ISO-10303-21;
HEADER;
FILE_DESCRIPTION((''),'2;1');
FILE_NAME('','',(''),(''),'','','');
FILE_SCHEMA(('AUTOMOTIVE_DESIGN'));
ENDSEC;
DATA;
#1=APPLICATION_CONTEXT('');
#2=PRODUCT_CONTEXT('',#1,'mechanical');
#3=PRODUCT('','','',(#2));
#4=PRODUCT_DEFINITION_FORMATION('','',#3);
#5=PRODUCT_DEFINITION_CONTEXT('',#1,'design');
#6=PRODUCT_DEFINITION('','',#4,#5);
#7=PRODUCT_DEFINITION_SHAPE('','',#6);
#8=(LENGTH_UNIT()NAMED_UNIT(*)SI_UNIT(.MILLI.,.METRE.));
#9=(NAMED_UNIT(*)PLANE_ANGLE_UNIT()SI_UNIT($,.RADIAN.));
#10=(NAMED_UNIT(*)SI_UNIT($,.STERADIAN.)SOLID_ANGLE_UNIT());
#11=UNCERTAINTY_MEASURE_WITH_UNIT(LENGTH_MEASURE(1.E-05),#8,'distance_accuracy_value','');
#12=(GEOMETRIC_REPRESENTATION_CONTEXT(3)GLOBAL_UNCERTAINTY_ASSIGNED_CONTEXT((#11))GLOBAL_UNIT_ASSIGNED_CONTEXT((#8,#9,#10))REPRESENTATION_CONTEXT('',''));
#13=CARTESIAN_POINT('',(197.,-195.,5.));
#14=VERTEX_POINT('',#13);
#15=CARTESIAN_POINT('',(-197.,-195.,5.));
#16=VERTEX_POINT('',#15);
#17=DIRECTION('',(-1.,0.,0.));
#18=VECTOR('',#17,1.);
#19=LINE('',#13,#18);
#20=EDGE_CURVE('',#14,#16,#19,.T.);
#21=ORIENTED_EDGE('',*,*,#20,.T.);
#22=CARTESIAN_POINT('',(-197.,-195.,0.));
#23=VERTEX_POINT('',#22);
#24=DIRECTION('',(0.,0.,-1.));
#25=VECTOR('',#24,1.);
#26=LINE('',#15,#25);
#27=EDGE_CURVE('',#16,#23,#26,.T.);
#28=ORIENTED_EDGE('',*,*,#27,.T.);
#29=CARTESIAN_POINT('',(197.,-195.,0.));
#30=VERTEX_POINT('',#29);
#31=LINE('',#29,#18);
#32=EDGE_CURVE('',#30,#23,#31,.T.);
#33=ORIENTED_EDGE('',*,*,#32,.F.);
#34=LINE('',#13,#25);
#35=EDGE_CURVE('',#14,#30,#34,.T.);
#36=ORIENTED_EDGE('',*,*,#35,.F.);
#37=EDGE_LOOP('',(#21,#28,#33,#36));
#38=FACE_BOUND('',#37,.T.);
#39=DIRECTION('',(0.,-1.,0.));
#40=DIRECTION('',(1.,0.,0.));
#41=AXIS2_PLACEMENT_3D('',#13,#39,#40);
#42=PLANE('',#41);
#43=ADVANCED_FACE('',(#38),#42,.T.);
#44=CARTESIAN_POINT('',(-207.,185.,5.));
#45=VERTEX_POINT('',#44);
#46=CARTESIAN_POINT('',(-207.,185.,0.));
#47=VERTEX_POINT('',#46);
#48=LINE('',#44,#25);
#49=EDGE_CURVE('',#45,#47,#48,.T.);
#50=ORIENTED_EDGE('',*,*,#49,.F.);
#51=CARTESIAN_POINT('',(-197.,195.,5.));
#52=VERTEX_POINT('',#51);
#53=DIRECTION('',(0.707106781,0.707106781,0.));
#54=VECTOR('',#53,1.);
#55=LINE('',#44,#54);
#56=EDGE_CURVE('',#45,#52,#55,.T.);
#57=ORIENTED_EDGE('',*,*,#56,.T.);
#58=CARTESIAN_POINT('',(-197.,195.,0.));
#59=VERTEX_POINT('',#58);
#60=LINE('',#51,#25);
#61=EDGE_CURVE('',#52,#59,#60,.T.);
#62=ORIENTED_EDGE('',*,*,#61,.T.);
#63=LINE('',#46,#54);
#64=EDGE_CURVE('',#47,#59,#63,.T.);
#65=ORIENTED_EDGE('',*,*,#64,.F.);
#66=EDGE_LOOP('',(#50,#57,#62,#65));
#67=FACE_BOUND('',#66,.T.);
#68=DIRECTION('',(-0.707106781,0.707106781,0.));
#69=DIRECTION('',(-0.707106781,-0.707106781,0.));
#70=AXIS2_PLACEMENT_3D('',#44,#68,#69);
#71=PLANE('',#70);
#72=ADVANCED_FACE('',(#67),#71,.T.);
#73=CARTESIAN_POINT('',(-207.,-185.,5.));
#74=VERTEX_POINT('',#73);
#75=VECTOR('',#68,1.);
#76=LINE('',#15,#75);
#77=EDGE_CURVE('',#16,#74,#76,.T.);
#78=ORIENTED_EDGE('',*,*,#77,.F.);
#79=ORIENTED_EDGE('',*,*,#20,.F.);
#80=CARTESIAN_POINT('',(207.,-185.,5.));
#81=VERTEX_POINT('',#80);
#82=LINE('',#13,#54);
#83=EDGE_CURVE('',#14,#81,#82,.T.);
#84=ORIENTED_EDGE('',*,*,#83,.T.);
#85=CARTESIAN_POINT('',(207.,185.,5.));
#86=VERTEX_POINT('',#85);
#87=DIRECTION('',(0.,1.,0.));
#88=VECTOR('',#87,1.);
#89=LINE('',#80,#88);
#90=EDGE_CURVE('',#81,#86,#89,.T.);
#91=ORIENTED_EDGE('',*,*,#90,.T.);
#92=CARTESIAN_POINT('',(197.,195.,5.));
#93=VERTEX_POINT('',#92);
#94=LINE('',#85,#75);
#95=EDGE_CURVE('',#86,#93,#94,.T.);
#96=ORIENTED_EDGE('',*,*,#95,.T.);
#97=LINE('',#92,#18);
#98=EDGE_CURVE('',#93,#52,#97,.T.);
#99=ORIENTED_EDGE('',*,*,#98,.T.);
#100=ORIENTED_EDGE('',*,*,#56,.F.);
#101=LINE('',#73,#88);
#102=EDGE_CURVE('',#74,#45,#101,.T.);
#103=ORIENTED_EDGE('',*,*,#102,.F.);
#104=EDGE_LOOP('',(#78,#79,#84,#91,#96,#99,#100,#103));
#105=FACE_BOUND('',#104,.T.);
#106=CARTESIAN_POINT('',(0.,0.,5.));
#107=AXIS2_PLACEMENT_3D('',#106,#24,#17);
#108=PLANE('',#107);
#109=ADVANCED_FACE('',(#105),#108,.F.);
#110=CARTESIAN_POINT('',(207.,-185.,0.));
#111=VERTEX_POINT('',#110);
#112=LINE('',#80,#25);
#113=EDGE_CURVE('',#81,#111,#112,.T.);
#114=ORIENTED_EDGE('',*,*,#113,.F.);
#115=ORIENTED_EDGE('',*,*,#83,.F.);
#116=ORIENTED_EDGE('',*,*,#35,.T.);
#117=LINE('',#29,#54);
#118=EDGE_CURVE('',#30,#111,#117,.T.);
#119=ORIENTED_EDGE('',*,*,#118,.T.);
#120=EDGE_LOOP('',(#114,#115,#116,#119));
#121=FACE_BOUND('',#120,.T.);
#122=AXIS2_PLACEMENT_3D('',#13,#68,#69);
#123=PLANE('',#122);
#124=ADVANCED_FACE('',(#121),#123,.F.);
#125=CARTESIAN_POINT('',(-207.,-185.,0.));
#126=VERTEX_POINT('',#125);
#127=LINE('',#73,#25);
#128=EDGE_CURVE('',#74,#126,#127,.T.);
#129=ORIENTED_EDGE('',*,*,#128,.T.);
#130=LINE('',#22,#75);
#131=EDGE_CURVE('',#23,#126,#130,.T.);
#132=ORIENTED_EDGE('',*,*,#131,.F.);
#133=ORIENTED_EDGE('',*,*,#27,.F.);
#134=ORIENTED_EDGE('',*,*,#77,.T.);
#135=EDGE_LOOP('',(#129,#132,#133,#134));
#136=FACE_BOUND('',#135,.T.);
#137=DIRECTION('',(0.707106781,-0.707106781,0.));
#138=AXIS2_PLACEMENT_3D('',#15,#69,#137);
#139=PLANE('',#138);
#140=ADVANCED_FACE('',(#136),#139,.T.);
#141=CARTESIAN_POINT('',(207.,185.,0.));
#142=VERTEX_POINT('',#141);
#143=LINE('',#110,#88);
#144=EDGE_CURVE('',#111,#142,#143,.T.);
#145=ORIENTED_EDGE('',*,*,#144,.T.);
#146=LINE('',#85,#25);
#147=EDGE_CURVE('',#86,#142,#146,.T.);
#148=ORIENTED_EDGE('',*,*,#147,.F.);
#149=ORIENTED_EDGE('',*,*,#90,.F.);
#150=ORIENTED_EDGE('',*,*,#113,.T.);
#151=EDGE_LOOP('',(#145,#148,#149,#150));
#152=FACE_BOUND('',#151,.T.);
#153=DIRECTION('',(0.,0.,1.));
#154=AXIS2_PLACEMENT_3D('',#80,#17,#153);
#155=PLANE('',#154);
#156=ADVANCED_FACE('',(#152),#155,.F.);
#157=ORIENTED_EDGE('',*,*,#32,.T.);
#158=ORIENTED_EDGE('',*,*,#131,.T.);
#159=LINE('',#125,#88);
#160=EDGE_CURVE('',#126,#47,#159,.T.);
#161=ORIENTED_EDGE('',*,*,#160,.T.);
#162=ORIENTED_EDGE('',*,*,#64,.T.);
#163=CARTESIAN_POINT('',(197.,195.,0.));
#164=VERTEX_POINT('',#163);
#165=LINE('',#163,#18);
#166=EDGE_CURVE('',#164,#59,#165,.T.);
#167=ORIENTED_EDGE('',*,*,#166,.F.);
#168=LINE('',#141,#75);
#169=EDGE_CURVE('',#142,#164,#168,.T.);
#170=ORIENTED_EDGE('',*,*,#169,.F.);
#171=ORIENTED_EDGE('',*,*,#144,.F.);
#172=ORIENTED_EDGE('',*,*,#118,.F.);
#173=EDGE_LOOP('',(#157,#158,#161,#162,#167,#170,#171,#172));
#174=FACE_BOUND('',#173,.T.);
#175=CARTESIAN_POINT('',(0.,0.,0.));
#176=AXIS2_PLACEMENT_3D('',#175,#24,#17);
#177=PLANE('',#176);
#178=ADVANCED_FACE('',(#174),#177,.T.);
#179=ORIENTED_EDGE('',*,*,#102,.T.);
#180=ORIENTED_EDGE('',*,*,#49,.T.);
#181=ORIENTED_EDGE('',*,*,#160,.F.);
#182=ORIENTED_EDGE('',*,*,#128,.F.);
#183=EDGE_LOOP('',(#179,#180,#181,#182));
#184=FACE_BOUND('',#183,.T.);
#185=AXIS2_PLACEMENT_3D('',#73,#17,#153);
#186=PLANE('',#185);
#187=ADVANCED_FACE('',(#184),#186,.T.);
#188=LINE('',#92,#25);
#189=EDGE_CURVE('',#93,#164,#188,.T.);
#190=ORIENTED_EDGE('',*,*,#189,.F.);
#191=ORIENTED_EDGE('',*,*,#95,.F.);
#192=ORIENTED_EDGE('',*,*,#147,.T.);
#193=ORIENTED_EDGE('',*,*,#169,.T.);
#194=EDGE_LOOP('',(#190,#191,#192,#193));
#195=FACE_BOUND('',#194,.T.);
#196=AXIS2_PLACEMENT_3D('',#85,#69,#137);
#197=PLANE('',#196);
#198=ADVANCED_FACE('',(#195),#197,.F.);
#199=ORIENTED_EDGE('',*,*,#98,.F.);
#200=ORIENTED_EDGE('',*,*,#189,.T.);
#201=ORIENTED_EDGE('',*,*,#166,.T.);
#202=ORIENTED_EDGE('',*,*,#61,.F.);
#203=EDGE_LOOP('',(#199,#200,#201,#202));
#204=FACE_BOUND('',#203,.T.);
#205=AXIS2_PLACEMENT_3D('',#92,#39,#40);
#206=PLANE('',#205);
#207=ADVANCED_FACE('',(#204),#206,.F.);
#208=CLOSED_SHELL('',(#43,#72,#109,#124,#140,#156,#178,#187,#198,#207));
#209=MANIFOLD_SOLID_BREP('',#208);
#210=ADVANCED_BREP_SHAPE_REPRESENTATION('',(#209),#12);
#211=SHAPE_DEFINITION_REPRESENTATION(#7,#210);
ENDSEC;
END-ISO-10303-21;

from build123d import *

# Parameters (mm, degrees)
ESTRUSIONE_ESTRUSIONE1_DEPTH = 5


with BuildPart() as part:
    # Schizzo1 → Estrusione-Estrusione1 (new body)
    with BuildSketch(Plane.XY):
        Polygon((-207, 185), (-197, 195), (197, 195), (207, 185), (207, -185), (197, -195), (-197, -195), (-207, -185), align=None)
    extrude(amount=ESTRUSIONE_ESTRUSIONE1_DEPTH)


solid = part.part
